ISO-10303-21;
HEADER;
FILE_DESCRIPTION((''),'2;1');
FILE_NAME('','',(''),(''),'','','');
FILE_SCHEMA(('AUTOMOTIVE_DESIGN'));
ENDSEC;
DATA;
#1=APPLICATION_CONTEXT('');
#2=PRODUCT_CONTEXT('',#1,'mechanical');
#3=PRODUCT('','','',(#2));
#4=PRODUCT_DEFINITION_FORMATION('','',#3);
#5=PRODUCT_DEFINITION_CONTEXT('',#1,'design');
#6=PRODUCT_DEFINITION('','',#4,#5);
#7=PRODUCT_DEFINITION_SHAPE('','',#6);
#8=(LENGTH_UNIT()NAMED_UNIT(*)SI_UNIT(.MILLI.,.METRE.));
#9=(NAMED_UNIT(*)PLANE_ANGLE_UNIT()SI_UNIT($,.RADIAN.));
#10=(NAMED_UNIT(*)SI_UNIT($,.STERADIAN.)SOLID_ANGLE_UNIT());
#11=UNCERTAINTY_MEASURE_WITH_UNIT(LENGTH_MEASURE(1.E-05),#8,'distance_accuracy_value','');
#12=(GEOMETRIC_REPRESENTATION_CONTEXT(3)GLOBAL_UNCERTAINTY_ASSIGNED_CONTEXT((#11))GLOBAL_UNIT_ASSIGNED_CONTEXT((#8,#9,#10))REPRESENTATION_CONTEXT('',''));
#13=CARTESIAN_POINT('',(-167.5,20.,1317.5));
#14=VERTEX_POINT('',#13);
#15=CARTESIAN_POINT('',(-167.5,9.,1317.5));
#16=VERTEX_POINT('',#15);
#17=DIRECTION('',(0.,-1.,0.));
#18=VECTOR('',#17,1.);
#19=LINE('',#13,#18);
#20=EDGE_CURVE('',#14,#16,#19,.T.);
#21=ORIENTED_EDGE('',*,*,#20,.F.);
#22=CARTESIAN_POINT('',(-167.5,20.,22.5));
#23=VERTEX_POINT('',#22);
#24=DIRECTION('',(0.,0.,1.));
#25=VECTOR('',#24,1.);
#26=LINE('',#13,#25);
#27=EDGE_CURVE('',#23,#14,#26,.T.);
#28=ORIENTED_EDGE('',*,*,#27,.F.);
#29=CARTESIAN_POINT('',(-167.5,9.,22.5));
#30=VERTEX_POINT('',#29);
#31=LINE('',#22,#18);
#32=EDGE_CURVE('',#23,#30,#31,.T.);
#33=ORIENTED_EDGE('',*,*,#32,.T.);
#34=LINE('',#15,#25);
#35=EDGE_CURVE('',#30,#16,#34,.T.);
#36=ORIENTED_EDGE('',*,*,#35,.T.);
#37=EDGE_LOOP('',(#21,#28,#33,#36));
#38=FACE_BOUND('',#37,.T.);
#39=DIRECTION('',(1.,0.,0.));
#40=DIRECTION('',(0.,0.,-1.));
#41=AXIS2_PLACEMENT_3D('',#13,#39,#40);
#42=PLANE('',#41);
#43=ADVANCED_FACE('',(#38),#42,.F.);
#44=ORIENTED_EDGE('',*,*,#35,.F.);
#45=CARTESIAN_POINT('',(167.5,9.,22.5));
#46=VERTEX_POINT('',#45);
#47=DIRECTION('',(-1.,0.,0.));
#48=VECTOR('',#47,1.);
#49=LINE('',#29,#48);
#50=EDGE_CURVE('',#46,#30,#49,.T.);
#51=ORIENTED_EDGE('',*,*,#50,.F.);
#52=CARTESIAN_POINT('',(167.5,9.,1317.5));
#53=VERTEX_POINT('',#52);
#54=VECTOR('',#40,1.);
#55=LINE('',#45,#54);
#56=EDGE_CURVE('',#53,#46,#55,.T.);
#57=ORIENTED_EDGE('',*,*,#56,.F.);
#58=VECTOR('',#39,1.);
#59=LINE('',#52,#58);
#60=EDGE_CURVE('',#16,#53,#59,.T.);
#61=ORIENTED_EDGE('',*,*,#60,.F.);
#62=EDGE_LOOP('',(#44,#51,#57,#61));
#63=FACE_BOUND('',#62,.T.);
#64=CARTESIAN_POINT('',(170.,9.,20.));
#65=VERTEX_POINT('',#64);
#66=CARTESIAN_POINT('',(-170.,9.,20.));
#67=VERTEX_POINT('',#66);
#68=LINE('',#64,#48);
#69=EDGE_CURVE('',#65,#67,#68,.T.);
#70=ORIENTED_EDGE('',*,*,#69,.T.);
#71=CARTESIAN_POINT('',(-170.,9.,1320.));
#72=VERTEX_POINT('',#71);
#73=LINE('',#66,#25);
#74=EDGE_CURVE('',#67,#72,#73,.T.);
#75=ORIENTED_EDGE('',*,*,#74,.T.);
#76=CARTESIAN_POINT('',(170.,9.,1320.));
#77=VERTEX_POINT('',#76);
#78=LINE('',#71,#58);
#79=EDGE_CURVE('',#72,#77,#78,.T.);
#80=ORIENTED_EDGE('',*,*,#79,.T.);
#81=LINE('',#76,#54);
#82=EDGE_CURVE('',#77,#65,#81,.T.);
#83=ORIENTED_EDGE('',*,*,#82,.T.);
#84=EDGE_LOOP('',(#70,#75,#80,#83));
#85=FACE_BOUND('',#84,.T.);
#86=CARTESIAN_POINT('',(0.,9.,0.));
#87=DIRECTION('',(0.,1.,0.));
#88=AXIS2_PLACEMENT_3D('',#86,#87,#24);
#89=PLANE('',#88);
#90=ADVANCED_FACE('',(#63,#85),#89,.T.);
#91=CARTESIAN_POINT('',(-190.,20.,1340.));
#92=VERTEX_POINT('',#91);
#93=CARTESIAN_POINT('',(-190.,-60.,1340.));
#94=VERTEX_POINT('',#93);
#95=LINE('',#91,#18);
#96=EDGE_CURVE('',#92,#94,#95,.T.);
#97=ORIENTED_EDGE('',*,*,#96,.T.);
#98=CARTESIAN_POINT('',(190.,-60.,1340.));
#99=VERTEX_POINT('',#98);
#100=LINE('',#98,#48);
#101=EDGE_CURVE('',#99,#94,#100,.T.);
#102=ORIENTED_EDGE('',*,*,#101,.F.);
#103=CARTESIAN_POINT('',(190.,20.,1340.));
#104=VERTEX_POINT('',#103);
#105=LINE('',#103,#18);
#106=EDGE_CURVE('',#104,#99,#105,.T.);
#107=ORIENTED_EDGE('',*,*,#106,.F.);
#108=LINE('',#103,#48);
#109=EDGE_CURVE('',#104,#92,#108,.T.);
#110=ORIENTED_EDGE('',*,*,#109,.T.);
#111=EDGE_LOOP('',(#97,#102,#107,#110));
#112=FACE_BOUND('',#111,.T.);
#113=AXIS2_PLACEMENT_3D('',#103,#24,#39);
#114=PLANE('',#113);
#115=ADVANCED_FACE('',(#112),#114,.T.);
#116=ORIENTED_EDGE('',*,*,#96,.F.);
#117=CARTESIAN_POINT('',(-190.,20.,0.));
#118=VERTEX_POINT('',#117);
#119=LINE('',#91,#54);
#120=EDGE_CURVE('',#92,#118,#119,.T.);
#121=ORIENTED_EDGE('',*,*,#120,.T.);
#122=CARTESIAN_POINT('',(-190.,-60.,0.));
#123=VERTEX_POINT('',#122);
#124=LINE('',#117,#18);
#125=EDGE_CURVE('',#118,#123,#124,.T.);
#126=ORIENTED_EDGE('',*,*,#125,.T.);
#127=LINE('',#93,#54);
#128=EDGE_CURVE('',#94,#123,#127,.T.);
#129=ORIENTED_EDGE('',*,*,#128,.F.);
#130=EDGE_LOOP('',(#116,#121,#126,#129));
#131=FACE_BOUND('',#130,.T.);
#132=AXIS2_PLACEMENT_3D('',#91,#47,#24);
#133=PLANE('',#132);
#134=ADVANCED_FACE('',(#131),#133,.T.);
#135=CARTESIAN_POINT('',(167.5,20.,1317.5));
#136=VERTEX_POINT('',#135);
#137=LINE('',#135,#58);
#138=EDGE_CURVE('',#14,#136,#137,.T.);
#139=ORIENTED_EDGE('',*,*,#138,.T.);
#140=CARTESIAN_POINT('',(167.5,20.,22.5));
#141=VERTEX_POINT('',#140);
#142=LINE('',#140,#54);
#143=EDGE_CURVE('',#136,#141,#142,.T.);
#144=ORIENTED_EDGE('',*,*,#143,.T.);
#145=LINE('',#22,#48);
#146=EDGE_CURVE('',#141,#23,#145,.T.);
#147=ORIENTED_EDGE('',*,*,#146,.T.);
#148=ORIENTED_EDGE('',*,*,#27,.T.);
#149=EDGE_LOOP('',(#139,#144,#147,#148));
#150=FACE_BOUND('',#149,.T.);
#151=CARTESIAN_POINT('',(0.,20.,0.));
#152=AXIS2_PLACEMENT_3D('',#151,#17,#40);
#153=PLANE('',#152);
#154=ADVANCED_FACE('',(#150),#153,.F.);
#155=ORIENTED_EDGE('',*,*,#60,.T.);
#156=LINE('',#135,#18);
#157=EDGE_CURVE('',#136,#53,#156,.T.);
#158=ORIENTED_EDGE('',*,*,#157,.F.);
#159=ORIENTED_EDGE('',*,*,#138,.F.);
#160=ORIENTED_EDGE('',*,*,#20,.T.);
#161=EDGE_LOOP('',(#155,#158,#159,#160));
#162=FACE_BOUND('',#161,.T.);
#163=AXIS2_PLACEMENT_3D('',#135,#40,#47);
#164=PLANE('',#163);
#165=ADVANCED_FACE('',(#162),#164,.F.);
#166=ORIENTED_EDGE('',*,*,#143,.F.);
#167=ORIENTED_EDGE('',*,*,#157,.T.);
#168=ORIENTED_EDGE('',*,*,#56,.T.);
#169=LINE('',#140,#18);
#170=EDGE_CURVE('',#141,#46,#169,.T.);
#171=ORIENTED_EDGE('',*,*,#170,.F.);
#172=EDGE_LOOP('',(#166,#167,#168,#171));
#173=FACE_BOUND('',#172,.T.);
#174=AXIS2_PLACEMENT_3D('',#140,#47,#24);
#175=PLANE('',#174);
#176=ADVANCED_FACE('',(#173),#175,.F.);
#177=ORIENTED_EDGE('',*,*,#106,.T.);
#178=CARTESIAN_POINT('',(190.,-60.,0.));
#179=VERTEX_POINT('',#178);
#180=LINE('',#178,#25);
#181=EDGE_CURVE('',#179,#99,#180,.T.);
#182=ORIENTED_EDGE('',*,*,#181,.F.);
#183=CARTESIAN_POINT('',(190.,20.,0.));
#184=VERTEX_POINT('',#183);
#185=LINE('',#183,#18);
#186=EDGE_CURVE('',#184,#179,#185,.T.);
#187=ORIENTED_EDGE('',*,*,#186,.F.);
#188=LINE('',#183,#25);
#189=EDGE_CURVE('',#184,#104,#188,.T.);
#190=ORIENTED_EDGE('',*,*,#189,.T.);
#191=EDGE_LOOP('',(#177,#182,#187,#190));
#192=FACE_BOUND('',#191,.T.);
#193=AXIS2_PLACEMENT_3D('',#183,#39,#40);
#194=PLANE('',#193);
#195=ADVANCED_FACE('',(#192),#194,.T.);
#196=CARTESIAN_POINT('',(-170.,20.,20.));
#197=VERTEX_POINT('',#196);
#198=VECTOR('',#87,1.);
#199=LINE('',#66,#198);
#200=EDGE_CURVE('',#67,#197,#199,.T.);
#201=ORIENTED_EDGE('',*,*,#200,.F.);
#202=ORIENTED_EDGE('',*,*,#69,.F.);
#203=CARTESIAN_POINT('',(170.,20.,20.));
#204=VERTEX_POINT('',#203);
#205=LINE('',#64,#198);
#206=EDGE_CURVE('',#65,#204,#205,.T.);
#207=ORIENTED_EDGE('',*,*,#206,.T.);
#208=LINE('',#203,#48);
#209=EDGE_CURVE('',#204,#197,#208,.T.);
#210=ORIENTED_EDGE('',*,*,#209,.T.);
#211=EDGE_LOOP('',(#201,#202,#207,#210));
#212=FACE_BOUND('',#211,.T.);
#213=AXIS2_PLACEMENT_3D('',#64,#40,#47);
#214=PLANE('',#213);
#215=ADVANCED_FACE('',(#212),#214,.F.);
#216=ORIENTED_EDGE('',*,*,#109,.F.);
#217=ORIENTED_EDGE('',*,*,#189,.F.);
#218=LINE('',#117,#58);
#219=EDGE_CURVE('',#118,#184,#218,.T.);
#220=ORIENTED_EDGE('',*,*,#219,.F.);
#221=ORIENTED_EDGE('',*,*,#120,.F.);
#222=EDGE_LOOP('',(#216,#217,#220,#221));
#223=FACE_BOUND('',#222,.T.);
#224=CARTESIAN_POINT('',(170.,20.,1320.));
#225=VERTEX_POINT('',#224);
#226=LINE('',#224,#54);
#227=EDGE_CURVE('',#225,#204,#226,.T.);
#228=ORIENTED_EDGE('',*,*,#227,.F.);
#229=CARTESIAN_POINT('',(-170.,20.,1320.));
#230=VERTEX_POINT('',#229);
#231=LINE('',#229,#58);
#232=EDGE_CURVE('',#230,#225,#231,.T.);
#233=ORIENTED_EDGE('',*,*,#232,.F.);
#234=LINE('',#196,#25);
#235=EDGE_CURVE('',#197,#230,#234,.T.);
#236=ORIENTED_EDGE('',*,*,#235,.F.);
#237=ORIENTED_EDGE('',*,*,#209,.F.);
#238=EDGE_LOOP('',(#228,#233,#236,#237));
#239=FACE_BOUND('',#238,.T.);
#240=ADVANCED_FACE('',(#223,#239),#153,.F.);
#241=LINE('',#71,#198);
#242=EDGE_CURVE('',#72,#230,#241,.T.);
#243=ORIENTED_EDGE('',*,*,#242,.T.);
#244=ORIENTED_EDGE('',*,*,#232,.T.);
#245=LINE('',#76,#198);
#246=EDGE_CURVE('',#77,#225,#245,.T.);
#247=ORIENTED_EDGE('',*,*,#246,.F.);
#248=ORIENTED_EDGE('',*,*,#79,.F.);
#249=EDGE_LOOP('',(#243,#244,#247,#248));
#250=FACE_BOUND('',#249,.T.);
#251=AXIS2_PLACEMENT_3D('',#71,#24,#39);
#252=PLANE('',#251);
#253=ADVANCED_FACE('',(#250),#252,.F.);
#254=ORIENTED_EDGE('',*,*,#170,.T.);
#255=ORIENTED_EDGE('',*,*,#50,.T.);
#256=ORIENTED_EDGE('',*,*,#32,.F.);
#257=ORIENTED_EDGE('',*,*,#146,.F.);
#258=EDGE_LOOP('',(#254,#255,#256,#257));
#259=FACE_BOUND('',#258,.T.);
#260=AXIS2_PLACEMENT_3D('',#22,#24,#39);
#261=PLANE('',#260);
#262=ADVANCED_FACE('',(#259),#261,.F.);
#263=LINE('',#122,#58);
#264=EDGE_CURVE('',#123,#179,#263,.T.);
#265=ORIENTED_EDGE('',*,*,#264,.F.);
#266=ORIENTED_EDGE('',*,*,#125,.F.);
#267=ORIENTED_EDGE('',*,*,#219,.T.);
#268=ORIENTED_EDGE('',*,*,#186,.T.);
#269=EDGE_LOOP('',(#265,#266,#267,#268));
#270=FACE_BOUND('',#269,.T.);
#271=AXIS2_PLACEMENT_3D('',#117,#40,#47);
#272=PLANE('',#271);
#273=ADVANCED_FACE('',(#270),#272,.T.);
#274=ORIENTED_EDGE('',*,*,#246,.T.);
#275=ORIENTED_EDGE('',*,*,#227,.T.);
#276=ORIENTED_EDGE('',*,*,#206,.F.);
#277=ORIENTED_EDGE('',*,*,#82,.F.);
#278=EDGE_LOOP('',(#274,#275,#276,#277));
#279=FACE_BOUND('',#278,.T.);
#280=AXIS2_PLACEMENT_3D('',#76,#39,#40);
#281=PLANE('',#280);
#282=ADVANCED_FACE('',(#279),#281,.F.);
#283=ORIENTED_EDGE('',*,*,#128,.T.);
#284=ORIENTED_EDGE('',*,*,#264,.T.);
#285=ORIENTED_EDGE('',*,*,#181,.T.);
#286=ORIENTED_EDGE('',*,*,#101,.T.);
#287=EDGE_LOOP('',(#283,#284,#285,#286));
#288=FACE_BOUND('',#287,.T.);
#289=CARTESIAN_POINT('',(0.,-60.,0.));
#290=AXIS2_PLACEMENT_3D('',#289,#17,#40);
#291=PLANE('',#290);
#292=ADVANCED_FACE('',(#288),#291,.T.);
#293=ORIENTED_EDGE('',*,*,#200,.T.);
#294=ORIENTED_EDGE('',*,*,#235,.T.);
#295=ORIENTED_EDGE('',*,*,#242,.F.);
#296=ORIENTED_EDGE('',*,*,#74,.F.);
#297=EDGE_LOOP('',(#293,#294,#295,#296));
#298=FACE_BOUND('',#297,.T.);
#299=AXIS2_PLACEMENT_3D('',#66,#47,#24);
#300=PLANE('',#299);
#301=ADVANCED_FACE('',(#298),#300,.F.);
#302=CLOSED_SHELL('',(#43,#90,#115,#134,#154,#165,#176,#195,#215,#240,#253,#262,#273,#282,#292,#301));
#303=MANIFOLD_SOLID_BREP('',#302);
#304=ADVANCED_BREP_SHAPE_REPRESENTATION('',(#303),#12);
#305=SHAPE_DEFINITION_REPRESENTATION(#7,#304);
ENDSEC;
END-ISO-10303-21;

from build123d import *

# Parameters (mm, degrees)
SKETCH1_W           = 380
SKETCH1_H           = 1340
BOSS_EXTRUDE1_DEPTH = 80
SKETCH2_W           = 340
SKETCH2_H           = 1300
CUT_EXTRUDE1_DEPTH  = 11
SKETCH3_W           = 335
SKETCH3_H           = 1295
BOSS_EXTRUDE2_DEPTH = 11


with BuildPart() as part:
    # Sketch1 → Boss-Extrude1 (new body)
    with BuildSketch(Plane.XZ.offset(60)):
        with Locations((0, 670)):
            Rectangle(SKETCH1_W, SKETCH1_H)
    extrude(amount=-BOSS_EXTRUDE1_DEPTH)

    # Sketch2 → Cut-Extrude1 (cut)
    with BuildSketch(Plane(origin=(0, 20, 0), x_dir=(-1, 0, 0), z_dir=(0, 1, 0))):
        with Locations((0, 670)):
            Rectangle(SKETCH2_W, SKETCH2_H)
    extrude(amount=-CUT_EXTRUDE1_DEPTH, mode=Mode.SUBTRACT)

    # Sketch3 → Boss-Extrude2 (add)
    with BuildSketch(Plane(origin=(0, 9, 0), x_dir=(-1, 0, 0), z_dir=(0, 1, 0))):
        with Locations((0, 670)):
            Rectangle(SKETCH3_W, SKETCH3_H)
    extrude(amount=BOSS_EXTRUDE2_DEPTH)


solid = part.part
